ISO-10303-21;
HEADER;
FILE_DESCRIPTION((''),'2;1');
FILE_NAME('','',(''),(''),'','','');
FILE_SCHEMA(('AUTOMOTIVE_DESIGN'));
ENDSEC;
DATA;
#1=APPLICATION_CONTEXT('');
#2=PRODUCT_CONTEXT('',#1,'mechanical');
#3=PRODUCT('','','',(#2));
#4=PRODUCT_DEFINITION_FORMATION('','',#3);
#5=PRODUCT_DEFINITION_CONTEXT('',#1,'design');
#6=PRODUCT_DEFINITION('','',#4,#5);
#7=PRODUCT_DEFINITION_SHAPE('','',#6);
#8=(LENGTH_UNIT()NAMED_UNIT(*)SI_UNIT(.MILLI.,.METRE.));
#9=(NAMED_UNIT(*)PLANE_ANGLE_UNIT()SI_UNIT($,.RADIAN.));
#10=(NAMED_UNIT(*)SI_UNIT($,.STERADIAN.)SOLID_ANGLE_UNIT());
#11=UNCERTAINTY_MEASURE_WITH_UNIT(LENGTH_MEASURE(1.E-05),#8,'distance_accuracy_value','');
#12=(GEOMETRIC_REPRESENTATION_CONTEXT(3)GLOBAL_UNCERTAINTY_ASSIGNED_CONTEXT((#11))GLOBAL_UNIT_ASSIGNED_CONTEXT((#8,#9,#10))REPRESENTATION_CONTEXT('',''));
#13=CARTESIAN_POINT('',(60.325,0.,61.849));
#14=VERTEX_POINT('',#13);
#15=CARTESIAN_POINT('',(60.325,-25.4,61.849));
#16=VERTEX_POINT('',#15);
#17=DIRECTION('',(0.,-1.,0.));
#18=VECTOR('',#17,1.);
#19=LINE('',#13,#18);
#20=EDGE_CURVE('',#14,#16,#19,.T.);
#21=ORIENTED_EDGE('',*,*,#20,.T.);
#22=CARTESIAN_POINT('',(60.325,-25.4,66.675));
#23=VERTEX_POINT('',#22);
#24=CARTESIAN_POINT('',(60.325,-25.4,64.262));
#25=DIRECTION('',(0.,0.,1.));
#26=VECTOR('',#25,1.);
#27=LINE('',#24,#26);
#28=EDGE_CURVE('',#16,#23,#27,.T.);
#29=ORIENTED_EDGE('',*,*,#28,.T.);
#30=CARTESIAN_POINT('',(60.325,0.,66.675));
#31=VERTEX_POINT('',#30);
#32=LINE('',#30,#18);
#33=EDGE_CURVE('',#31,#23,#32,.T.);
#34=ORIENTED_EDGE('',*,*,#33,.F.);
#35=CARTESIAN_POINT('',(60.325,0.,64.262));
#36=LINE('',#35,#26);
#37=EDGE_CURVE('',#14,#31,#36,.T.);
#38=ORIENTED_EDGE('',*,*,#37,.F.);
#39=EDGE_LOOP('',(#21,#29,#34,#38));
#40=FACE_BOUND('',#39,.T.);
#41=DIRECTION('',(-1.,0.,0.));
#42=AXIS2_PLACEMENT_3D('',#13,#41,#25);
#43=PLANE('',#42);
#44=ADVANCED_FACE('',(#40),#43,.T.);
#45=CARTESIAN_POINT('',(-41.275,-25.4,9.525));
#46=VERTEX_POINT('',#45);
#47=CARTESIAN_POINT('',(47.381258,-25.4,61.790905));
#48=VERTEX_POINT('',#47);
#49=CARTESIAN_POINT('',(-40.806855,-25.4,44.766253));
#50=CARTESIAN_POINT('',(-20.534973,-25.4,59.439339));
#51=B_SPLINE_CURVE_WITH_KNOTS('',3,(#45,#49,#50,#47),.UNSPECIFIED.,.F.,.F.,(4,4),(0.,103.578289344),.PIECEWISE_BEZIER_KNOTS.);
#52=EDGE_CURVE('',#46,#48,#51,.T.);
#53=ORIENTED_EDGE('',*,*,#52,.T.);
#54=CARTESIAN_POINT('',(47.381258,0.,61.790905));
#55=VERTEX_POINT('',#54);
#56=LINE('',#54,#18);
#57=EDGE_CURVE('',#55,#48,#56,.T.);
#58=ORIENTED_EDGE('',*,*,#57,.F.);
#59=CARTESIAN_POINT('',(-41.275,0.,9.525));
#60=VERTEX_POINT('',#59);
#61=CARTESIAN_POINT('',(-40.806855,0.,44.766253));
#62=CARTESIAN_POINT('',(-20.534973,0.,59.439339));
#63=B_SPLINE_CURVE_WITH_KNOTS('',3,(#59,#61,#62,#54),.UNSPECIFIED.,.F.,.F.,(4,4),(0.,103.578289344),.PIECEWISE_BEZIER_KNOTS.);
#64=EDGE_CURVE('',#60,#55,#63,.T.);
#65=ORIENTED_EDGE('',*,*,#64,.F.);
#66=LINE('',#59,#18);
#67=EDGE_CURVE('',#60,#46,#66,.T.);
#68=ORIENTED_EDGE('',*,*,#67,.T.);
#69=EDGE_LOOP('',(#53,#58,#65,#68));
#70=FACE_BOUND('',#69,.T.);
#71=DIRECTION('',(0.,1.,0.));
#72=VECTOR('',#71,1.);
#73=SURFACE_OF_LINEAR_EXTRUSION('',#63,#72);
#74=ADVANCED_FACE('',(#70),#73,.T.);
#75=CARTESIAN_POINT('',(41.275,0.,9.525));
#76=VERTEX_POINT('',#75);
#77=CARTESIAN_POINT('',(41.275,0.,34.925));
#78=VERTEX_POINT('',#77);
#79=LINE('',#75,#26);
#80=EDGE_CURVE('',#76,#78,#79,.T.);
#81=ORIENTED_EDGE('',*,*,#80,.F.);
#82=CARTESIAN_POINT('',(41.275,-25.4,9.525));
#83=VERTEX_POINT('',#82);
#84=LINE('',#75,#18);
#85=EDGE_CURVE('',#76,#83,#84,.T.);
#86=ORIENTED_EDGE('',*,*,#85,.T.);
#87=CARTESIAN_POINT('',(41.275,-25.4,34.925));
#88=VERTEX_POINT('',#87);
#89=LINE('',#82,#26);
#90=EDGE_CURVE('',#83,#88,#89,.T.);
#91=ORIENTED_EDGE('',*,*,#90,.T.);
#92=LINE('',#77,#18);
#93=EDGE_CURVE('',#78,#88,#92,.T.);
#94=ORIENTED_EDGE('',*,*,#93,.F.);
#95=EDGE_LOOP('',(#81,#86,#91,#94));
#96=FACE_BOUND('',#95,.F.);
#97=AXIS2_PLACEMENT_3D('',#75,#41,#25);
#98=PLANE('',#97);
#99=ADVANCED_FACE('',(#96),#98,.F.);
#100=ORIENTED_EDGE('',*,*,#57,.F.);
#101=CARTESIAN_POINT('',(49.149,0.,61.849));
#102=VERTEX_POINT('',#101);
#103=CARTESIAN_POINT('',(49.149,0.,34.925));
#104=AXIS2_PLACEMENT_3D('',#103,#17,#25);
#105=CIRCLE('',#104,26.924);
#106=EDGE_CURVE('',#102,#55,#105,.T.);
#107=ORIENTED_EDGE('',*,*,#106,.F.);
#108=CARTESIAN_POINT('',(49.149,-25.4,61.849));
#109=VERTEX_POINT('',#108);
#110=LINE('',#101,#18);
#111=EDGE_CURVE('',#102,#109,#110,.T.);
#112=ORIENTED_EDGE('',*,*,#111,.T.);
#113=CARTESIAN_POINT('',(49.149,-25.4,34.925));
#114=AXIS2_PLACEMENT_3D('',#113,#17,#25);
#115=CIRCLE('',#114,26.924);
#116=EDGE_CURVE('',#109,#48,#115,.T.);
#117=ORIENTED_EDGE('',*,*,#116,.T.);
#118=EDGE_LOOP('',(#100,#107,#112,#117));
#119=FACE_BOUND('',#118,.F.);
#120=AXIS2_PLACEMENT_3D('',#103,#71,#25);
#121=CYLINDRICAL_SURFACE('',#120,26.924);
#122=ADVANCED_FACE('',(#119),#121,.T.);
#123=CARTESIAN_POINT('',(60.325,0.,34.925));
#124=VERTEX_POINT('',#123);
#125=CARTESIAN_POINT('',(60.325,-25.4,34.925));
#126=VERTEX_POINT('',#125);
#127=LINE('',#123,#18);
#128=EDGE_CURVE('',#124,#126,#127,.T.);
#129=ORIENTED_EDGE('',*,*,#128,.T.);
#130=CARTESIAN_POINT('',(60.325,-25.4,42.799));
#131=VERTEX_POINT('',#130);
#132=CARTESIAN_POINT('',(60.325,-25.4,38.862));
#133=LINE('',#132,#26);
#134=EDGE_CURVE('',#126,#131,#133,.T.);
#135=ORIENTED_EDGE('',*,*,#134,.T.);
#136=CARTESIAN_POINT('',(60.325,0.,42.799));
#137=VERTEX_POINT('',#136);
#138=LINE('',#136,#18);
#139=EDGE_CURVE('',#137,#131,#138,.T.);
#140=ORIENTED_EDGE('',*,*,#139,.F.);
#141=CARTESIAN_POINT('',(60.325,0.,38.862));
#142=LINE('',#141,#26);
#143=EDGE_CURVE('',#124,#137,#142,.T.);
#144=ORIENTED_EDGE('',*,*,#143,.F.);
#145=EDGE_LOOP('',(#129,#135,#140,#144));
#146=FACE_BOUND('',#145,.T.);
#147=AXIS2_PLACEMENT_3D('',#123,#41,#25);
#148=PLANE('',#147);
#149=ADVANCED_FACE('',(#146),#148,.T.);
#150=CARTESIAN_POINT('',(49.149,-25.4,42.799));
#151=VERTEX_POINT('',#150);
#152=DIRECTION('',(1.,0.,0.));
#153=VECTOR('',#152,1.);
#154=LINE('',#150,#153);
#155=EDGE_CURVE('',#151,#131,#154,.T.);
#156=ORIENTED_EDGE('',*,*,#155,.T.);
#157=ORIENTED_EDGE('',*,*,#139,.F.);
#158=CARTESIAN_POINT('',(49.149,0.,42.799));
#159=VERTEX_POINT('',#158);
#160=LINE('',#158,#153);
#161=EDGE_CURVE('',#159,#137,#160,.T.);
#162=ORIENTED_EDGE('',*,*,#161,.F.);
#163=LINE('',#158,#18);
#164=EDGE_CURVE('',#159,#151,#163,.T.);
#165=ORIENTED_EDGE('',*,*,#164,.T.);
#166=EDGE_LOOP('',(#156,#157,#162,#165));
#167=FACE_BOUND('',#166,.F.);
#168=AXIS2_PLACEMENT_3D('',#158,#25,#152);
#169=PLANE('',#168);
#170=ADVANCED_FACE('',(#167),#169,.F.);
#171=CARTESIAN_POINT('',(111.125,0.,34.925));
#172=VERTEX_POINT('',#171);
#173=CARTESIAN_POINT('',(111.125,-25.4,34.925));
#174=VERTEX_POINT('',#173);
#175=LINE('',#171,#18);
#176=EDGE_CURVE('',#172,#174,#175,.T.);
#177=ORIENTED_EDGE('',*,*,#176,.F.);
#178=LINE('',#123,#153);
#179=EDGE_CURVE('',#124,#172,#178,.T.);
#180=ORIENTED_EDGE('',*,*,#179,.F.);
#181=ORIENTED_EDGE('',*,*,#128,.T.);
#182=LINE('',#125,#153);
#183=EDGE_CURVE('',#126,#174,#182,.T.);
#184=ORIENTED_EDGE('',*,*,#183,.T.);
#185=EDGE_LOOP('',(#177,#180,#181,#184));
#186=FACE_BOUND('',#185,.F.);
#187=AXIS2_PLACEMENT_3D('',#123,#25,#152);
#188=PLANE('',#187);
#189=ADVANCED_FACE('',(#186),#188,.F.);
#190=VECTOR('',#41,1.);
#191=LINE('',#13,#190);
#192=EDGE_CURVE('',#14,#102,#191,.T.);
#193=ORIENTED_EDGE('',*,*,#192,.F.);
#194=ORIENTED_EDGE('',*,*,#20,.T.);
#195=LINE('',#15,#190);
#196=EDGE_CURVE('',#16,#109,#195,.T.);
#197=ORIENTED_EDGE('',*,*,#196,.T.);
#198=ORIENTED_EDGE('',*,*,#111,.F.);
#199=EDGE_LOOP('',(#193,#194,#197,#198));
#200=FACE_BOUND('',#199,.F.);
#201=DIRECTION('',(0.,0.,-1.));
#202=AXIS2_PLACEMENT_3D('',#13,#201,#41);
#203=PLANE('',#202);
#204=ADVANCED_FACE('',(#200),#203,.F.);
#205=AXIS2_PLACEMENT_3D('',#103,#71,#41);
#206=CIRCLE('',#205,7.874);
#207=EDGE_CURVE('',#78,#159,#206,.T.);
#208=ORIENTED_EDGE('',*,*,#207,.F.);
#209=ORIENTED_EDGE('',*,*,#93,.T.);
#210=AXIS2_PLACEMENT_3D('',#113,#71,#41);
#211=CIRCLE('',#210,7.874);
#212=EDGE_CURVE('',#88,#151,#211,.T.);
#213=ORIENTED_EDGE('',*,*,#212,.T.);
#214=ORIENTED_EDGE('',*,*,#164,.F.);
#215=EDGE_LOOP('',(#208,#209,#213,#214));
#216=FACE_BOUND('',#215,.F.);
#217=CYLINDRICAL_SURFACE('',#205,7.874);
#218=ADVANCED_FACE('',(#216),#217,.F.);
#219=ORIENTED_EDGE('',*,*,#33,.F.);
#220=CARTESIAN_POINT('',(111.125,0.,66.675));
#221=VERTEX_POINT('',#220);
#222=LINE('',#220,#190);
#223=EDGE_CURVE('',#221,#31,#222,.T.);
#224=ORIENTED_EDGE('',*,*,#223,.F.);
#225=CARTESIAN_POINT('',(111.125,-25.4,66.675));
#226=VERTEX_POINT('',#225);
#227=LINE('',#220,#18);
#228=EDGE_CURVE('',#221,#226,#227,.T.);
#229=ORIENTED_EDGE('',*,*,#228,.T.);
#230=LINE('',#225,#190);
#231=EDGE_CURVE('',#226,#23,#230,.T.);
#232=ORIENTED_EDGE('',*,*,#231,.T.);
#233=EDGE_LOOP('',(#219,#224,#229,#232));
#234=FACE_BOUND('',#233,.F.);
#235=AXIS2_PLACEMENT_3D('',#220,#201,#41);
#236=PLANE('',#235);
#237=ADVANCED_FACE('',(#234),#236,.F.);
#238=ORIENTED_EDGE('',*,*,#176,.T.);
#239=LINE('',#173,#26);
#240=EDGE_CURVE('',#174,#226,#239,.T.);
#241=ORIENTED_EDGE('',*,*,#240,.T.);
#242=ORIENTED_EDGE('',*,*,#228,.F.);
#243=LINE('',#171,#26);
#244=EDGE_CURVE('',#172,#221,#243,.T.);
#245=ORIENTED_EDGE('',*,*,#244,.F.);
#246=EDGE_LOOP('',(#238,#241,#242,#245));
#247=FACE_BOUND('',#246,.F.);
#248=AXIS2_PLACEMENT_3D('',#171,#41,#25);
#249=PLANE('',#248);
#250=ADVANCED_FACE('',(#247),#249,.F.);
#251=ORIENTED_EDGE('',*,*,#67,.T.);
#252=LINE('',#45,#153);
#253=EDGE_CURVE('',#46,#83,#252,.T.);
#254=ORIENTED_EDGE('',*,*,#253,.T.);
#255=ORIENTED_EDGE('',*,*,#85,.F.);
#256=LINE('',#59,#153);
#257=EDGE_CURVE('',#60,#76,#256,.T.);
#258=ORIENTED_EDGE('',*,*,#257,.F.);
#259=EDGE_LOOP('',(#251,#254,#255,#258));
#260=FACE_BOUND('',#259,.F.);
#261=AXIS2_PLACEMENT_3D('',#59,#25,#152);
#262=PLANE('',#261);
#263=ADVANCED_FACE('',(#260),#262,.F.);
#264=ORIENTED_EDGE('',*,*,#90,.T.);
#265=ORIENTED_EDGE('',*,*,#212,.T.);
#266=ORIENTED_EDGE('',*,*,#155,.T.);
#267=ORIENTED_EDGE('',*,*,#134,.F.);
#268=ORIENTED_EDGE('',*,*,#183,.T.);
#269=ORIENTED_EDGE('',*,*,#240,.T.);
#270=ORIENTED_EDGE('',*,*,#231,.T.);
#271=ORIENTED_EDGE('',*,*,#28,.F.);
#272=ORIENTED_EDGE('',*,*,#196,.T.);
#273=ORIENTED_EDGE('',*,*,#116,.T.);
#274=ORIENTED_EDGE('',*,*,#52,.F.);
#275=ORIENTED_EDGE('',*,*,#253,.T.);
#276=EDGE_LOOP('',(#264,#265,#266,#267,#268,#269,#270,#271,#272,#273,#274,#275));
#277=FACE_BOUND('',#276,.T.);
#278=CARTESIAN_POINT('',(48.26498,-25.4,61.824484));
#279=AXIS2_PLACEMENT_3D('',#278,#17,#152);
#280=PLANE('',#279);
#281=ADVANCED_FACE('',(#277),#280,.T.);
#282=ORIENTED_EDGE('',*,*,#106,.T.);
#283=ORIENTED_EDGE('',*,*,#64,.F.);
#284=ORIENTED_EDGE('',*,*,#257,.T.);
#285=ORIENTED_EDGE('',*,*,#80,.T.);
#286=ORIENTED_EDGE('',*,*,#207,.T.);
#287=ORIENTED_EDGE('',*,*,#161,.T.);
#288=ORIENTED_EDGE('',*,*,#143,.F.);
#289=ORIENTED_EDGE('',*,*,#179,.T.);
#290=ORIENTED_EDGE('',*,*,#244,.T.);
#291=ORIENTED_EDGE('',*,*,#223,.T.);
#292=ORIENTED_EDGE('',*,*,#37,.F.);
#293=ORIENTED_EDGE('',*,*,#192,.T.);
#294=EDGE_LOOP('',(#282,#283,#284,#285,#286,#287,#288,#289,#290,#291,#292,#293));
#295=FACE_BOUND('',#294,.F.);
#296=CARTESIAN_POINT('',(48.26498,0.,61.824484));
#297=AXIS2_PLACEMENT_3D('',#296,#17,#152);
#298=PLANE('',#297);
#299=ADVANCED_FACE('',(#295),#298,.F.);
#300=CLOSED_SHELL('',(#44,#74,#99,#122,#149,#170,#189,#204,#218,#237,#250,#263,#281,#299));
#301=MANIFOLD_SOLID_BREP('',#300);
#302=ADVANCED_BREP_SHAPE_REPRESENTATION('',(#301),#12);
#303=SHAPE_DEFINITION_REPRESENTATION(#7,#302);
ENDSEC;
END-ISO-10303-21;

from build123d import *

# Parameters (mm, degrees)
F0_W     = 25.4
F0_H     = 7.874
F0_H_2   = 4.826
F0_H_3   = 19.05
F1_DEPTH = 25.4


with BuildPart() as f1:
    # F0 (on Front) → F1 (new body)
    with BuildSketch(Plane.XZ):
        with BuildLine():
            ThreePointArc((49.149, 61.849), (48.2646519361, 61.8344723936), (47.3812582222, 61.790905252))
            add(Edge.make_bspline(
                [(47.3812582222, 61.790905252), (47.9669561988, 61.8111847616), (48.5561975061, 61.8305479146), (49.149, 61.849)],
                knots=[103.5782893444, 103.5782893444, 103.5782893444, 103.5782893444, 104.4715308206, 104.4715308206, 104.4715308206, 104.4715308206], degree=3))
        make_face()
        with BuildLine():
            Line((-41.275, 9.525), (22.225, 9.525))
            Line((22.225, 9.525), (22.225, 34.925))
            ThreePointArc((22.225, 34.925), (29.4958010794, 53.3275418947), (47.3812582222, 61.790905252))
            add(Edge.make_bspline(
                [(-41.275, 9.525), (-40.8068549943, 44.7662530835), (-20.5349728413, 59.4393385436), (47.3812582222, 61.790905252)],
                knots=[0, 0, 0, 0, 103.5782893444, 103.5782893444, 103.5782893444, 103.5782893444], degree=3))
        make_face()
        with Locations((73.025, 38.862)):
            Rectangle(F0_W, F0_H)
        with Locations((73.025, 64.262)):
            Rectangle(F0_W, F0_H_2)
        Polygon((85.725, 61.849), (85.725, 42.799), (85.725, 34.925), (111.125, 34.925), (111.125, 66.675), (85.725, 66.675), align=None)
        with BuildLine():
            Line((22.225, 9.525), (41.275, 9.525))
            Line((41.275, 9.525), (41.275, 34.925))
            ThreePointArc((41.275, 34.925), (43.5812412049, 40.4927587951), (49.149, 42.799))
            Line((49.149, 42.799), (60.325, 42.799))
            Line((60.325, 42.799), (60.325, 61.849))
            Line((60.325, 61.849), (49.149, 61.849))
            add(Edge.make_bspline(
                [(47.3812582222, 61.790905252), (47.9669561988, 61.8111847616), (48.5561975061, 61.8305479146), (49.149, 61.849)],
                knots=[103.5782893444, 103.5782893444, 103.5782893444, 103.5782893444, 104.4715308206, 104.4715308206, 104.4715308206, 104.4715308206], degree=3))
            ThreePointArc((47.3812582222, 61.790905252), (29.4958010794, 53.3275418947), (22.225, 34.925))
            Line((22.225, 34.925), (22.225, 9.525))
        make_face()
        with Locations((73.025, 52.324)):
            Rectangle(F0_W, F0_H_3)
    extrude(amount=F1_DEPTH)


solid = f1.part
